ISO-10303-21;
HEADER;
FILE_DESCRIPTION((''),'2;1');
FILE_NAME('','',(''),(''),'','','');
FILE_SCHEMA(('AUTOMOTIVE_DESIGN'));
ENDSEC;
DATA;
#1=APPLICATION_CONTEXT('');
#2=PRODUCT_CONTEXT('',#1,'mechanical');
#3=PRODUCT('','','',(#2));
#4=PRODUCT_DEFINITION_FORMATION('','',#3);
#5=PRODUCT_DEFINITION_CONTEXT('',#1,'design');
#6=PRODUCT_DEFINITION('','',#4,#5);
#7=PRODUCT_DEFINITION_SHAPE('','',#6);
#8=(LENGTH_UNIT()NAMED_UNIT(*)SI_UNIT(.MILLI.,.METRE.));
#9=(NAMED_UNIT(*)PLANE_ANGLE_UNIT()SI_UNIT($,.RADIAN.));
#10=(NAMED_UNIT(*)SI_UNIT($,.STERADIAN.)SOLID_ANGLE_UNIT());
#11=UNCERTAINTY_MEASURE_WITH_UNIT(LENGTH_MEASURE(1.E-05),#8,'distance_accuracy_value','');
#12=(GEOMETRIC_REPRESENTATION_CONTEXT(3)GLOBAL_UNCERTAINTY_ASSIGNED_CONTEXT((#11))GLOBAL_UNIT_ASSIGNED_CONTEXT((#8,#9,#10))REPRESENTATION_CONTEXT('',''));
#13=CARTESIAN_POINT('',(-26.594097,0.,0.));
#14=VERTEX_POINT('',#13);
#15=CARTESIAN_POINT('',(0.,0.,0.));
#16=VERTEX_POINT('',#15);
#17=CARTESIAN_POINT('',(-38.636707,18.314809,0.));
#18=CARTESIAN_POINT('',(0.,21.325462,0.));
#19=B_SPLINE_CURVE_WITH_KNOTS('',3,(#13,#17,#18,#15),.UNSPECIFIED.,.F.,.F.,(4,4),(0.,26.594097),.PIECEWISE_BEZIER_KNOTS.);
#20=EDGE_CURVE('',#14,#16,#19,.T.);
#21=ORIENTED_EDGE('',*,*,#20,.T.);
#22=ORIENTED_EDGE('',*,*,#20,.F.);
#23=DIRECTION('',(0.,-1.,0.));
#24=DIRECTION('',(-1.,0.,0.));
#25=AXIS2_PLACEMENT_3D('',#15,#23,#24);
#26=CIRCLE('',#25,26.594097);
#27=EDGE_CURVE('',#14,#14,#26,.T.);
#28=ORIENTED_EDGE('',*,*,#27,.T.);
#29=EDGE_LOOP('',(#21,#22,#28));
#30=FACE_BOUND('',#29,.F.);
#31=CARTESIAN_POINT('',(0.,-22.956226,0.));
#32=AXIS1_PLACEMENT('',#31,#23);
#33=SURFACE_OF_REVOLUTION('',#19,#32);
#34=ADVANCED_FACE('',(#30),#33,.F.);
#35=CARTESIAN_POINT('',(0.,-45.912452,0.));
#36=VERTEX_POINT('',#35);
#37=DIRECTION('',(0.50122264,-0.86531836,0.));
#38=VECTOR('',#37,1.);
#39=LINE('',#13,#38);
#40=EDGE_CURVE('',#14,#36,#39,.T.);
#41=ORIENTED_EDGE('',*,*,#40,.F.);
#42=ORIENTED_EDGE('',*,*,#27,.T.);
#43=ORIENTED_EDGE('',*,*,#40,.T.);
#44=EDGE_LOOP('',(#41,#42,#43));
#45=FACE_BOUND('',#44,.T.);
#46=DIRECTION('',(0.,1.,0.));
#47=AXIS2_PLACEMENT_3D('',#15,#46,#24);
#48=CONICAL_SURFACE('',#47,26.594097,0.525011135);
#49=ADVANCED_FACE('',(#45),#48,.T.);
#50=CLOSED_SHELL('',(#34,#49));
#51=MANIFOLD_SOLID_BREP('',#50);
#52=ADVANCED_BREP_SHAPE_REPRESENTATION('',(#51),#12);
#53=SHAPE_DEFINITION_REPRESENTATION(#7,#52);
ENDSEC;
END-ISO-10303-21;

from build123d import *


with BuildPart() as f1:
    # F0 (on Top) → F1 (revolve)
    with BuildSketch(Plane.XY):
        with BuildLine():
            add(Edge.make_bspline(
                [(-26.594097, 0), (-38.636707, 18.314809), (0, 21.325462), (0, 0)],
                knots=[0, 0, 0, 0, 26.594097, 26.594097, 26.594097, 26.594097], degree=3))
            Line((-26.594097, 0), (0, -45.912452))
            Line((0, -45.912452), (0, 0))
        make_face()
    revolve(axis=Axis((0, -22.956226, 0), (0, -1, 0)))


solid = f1.part
